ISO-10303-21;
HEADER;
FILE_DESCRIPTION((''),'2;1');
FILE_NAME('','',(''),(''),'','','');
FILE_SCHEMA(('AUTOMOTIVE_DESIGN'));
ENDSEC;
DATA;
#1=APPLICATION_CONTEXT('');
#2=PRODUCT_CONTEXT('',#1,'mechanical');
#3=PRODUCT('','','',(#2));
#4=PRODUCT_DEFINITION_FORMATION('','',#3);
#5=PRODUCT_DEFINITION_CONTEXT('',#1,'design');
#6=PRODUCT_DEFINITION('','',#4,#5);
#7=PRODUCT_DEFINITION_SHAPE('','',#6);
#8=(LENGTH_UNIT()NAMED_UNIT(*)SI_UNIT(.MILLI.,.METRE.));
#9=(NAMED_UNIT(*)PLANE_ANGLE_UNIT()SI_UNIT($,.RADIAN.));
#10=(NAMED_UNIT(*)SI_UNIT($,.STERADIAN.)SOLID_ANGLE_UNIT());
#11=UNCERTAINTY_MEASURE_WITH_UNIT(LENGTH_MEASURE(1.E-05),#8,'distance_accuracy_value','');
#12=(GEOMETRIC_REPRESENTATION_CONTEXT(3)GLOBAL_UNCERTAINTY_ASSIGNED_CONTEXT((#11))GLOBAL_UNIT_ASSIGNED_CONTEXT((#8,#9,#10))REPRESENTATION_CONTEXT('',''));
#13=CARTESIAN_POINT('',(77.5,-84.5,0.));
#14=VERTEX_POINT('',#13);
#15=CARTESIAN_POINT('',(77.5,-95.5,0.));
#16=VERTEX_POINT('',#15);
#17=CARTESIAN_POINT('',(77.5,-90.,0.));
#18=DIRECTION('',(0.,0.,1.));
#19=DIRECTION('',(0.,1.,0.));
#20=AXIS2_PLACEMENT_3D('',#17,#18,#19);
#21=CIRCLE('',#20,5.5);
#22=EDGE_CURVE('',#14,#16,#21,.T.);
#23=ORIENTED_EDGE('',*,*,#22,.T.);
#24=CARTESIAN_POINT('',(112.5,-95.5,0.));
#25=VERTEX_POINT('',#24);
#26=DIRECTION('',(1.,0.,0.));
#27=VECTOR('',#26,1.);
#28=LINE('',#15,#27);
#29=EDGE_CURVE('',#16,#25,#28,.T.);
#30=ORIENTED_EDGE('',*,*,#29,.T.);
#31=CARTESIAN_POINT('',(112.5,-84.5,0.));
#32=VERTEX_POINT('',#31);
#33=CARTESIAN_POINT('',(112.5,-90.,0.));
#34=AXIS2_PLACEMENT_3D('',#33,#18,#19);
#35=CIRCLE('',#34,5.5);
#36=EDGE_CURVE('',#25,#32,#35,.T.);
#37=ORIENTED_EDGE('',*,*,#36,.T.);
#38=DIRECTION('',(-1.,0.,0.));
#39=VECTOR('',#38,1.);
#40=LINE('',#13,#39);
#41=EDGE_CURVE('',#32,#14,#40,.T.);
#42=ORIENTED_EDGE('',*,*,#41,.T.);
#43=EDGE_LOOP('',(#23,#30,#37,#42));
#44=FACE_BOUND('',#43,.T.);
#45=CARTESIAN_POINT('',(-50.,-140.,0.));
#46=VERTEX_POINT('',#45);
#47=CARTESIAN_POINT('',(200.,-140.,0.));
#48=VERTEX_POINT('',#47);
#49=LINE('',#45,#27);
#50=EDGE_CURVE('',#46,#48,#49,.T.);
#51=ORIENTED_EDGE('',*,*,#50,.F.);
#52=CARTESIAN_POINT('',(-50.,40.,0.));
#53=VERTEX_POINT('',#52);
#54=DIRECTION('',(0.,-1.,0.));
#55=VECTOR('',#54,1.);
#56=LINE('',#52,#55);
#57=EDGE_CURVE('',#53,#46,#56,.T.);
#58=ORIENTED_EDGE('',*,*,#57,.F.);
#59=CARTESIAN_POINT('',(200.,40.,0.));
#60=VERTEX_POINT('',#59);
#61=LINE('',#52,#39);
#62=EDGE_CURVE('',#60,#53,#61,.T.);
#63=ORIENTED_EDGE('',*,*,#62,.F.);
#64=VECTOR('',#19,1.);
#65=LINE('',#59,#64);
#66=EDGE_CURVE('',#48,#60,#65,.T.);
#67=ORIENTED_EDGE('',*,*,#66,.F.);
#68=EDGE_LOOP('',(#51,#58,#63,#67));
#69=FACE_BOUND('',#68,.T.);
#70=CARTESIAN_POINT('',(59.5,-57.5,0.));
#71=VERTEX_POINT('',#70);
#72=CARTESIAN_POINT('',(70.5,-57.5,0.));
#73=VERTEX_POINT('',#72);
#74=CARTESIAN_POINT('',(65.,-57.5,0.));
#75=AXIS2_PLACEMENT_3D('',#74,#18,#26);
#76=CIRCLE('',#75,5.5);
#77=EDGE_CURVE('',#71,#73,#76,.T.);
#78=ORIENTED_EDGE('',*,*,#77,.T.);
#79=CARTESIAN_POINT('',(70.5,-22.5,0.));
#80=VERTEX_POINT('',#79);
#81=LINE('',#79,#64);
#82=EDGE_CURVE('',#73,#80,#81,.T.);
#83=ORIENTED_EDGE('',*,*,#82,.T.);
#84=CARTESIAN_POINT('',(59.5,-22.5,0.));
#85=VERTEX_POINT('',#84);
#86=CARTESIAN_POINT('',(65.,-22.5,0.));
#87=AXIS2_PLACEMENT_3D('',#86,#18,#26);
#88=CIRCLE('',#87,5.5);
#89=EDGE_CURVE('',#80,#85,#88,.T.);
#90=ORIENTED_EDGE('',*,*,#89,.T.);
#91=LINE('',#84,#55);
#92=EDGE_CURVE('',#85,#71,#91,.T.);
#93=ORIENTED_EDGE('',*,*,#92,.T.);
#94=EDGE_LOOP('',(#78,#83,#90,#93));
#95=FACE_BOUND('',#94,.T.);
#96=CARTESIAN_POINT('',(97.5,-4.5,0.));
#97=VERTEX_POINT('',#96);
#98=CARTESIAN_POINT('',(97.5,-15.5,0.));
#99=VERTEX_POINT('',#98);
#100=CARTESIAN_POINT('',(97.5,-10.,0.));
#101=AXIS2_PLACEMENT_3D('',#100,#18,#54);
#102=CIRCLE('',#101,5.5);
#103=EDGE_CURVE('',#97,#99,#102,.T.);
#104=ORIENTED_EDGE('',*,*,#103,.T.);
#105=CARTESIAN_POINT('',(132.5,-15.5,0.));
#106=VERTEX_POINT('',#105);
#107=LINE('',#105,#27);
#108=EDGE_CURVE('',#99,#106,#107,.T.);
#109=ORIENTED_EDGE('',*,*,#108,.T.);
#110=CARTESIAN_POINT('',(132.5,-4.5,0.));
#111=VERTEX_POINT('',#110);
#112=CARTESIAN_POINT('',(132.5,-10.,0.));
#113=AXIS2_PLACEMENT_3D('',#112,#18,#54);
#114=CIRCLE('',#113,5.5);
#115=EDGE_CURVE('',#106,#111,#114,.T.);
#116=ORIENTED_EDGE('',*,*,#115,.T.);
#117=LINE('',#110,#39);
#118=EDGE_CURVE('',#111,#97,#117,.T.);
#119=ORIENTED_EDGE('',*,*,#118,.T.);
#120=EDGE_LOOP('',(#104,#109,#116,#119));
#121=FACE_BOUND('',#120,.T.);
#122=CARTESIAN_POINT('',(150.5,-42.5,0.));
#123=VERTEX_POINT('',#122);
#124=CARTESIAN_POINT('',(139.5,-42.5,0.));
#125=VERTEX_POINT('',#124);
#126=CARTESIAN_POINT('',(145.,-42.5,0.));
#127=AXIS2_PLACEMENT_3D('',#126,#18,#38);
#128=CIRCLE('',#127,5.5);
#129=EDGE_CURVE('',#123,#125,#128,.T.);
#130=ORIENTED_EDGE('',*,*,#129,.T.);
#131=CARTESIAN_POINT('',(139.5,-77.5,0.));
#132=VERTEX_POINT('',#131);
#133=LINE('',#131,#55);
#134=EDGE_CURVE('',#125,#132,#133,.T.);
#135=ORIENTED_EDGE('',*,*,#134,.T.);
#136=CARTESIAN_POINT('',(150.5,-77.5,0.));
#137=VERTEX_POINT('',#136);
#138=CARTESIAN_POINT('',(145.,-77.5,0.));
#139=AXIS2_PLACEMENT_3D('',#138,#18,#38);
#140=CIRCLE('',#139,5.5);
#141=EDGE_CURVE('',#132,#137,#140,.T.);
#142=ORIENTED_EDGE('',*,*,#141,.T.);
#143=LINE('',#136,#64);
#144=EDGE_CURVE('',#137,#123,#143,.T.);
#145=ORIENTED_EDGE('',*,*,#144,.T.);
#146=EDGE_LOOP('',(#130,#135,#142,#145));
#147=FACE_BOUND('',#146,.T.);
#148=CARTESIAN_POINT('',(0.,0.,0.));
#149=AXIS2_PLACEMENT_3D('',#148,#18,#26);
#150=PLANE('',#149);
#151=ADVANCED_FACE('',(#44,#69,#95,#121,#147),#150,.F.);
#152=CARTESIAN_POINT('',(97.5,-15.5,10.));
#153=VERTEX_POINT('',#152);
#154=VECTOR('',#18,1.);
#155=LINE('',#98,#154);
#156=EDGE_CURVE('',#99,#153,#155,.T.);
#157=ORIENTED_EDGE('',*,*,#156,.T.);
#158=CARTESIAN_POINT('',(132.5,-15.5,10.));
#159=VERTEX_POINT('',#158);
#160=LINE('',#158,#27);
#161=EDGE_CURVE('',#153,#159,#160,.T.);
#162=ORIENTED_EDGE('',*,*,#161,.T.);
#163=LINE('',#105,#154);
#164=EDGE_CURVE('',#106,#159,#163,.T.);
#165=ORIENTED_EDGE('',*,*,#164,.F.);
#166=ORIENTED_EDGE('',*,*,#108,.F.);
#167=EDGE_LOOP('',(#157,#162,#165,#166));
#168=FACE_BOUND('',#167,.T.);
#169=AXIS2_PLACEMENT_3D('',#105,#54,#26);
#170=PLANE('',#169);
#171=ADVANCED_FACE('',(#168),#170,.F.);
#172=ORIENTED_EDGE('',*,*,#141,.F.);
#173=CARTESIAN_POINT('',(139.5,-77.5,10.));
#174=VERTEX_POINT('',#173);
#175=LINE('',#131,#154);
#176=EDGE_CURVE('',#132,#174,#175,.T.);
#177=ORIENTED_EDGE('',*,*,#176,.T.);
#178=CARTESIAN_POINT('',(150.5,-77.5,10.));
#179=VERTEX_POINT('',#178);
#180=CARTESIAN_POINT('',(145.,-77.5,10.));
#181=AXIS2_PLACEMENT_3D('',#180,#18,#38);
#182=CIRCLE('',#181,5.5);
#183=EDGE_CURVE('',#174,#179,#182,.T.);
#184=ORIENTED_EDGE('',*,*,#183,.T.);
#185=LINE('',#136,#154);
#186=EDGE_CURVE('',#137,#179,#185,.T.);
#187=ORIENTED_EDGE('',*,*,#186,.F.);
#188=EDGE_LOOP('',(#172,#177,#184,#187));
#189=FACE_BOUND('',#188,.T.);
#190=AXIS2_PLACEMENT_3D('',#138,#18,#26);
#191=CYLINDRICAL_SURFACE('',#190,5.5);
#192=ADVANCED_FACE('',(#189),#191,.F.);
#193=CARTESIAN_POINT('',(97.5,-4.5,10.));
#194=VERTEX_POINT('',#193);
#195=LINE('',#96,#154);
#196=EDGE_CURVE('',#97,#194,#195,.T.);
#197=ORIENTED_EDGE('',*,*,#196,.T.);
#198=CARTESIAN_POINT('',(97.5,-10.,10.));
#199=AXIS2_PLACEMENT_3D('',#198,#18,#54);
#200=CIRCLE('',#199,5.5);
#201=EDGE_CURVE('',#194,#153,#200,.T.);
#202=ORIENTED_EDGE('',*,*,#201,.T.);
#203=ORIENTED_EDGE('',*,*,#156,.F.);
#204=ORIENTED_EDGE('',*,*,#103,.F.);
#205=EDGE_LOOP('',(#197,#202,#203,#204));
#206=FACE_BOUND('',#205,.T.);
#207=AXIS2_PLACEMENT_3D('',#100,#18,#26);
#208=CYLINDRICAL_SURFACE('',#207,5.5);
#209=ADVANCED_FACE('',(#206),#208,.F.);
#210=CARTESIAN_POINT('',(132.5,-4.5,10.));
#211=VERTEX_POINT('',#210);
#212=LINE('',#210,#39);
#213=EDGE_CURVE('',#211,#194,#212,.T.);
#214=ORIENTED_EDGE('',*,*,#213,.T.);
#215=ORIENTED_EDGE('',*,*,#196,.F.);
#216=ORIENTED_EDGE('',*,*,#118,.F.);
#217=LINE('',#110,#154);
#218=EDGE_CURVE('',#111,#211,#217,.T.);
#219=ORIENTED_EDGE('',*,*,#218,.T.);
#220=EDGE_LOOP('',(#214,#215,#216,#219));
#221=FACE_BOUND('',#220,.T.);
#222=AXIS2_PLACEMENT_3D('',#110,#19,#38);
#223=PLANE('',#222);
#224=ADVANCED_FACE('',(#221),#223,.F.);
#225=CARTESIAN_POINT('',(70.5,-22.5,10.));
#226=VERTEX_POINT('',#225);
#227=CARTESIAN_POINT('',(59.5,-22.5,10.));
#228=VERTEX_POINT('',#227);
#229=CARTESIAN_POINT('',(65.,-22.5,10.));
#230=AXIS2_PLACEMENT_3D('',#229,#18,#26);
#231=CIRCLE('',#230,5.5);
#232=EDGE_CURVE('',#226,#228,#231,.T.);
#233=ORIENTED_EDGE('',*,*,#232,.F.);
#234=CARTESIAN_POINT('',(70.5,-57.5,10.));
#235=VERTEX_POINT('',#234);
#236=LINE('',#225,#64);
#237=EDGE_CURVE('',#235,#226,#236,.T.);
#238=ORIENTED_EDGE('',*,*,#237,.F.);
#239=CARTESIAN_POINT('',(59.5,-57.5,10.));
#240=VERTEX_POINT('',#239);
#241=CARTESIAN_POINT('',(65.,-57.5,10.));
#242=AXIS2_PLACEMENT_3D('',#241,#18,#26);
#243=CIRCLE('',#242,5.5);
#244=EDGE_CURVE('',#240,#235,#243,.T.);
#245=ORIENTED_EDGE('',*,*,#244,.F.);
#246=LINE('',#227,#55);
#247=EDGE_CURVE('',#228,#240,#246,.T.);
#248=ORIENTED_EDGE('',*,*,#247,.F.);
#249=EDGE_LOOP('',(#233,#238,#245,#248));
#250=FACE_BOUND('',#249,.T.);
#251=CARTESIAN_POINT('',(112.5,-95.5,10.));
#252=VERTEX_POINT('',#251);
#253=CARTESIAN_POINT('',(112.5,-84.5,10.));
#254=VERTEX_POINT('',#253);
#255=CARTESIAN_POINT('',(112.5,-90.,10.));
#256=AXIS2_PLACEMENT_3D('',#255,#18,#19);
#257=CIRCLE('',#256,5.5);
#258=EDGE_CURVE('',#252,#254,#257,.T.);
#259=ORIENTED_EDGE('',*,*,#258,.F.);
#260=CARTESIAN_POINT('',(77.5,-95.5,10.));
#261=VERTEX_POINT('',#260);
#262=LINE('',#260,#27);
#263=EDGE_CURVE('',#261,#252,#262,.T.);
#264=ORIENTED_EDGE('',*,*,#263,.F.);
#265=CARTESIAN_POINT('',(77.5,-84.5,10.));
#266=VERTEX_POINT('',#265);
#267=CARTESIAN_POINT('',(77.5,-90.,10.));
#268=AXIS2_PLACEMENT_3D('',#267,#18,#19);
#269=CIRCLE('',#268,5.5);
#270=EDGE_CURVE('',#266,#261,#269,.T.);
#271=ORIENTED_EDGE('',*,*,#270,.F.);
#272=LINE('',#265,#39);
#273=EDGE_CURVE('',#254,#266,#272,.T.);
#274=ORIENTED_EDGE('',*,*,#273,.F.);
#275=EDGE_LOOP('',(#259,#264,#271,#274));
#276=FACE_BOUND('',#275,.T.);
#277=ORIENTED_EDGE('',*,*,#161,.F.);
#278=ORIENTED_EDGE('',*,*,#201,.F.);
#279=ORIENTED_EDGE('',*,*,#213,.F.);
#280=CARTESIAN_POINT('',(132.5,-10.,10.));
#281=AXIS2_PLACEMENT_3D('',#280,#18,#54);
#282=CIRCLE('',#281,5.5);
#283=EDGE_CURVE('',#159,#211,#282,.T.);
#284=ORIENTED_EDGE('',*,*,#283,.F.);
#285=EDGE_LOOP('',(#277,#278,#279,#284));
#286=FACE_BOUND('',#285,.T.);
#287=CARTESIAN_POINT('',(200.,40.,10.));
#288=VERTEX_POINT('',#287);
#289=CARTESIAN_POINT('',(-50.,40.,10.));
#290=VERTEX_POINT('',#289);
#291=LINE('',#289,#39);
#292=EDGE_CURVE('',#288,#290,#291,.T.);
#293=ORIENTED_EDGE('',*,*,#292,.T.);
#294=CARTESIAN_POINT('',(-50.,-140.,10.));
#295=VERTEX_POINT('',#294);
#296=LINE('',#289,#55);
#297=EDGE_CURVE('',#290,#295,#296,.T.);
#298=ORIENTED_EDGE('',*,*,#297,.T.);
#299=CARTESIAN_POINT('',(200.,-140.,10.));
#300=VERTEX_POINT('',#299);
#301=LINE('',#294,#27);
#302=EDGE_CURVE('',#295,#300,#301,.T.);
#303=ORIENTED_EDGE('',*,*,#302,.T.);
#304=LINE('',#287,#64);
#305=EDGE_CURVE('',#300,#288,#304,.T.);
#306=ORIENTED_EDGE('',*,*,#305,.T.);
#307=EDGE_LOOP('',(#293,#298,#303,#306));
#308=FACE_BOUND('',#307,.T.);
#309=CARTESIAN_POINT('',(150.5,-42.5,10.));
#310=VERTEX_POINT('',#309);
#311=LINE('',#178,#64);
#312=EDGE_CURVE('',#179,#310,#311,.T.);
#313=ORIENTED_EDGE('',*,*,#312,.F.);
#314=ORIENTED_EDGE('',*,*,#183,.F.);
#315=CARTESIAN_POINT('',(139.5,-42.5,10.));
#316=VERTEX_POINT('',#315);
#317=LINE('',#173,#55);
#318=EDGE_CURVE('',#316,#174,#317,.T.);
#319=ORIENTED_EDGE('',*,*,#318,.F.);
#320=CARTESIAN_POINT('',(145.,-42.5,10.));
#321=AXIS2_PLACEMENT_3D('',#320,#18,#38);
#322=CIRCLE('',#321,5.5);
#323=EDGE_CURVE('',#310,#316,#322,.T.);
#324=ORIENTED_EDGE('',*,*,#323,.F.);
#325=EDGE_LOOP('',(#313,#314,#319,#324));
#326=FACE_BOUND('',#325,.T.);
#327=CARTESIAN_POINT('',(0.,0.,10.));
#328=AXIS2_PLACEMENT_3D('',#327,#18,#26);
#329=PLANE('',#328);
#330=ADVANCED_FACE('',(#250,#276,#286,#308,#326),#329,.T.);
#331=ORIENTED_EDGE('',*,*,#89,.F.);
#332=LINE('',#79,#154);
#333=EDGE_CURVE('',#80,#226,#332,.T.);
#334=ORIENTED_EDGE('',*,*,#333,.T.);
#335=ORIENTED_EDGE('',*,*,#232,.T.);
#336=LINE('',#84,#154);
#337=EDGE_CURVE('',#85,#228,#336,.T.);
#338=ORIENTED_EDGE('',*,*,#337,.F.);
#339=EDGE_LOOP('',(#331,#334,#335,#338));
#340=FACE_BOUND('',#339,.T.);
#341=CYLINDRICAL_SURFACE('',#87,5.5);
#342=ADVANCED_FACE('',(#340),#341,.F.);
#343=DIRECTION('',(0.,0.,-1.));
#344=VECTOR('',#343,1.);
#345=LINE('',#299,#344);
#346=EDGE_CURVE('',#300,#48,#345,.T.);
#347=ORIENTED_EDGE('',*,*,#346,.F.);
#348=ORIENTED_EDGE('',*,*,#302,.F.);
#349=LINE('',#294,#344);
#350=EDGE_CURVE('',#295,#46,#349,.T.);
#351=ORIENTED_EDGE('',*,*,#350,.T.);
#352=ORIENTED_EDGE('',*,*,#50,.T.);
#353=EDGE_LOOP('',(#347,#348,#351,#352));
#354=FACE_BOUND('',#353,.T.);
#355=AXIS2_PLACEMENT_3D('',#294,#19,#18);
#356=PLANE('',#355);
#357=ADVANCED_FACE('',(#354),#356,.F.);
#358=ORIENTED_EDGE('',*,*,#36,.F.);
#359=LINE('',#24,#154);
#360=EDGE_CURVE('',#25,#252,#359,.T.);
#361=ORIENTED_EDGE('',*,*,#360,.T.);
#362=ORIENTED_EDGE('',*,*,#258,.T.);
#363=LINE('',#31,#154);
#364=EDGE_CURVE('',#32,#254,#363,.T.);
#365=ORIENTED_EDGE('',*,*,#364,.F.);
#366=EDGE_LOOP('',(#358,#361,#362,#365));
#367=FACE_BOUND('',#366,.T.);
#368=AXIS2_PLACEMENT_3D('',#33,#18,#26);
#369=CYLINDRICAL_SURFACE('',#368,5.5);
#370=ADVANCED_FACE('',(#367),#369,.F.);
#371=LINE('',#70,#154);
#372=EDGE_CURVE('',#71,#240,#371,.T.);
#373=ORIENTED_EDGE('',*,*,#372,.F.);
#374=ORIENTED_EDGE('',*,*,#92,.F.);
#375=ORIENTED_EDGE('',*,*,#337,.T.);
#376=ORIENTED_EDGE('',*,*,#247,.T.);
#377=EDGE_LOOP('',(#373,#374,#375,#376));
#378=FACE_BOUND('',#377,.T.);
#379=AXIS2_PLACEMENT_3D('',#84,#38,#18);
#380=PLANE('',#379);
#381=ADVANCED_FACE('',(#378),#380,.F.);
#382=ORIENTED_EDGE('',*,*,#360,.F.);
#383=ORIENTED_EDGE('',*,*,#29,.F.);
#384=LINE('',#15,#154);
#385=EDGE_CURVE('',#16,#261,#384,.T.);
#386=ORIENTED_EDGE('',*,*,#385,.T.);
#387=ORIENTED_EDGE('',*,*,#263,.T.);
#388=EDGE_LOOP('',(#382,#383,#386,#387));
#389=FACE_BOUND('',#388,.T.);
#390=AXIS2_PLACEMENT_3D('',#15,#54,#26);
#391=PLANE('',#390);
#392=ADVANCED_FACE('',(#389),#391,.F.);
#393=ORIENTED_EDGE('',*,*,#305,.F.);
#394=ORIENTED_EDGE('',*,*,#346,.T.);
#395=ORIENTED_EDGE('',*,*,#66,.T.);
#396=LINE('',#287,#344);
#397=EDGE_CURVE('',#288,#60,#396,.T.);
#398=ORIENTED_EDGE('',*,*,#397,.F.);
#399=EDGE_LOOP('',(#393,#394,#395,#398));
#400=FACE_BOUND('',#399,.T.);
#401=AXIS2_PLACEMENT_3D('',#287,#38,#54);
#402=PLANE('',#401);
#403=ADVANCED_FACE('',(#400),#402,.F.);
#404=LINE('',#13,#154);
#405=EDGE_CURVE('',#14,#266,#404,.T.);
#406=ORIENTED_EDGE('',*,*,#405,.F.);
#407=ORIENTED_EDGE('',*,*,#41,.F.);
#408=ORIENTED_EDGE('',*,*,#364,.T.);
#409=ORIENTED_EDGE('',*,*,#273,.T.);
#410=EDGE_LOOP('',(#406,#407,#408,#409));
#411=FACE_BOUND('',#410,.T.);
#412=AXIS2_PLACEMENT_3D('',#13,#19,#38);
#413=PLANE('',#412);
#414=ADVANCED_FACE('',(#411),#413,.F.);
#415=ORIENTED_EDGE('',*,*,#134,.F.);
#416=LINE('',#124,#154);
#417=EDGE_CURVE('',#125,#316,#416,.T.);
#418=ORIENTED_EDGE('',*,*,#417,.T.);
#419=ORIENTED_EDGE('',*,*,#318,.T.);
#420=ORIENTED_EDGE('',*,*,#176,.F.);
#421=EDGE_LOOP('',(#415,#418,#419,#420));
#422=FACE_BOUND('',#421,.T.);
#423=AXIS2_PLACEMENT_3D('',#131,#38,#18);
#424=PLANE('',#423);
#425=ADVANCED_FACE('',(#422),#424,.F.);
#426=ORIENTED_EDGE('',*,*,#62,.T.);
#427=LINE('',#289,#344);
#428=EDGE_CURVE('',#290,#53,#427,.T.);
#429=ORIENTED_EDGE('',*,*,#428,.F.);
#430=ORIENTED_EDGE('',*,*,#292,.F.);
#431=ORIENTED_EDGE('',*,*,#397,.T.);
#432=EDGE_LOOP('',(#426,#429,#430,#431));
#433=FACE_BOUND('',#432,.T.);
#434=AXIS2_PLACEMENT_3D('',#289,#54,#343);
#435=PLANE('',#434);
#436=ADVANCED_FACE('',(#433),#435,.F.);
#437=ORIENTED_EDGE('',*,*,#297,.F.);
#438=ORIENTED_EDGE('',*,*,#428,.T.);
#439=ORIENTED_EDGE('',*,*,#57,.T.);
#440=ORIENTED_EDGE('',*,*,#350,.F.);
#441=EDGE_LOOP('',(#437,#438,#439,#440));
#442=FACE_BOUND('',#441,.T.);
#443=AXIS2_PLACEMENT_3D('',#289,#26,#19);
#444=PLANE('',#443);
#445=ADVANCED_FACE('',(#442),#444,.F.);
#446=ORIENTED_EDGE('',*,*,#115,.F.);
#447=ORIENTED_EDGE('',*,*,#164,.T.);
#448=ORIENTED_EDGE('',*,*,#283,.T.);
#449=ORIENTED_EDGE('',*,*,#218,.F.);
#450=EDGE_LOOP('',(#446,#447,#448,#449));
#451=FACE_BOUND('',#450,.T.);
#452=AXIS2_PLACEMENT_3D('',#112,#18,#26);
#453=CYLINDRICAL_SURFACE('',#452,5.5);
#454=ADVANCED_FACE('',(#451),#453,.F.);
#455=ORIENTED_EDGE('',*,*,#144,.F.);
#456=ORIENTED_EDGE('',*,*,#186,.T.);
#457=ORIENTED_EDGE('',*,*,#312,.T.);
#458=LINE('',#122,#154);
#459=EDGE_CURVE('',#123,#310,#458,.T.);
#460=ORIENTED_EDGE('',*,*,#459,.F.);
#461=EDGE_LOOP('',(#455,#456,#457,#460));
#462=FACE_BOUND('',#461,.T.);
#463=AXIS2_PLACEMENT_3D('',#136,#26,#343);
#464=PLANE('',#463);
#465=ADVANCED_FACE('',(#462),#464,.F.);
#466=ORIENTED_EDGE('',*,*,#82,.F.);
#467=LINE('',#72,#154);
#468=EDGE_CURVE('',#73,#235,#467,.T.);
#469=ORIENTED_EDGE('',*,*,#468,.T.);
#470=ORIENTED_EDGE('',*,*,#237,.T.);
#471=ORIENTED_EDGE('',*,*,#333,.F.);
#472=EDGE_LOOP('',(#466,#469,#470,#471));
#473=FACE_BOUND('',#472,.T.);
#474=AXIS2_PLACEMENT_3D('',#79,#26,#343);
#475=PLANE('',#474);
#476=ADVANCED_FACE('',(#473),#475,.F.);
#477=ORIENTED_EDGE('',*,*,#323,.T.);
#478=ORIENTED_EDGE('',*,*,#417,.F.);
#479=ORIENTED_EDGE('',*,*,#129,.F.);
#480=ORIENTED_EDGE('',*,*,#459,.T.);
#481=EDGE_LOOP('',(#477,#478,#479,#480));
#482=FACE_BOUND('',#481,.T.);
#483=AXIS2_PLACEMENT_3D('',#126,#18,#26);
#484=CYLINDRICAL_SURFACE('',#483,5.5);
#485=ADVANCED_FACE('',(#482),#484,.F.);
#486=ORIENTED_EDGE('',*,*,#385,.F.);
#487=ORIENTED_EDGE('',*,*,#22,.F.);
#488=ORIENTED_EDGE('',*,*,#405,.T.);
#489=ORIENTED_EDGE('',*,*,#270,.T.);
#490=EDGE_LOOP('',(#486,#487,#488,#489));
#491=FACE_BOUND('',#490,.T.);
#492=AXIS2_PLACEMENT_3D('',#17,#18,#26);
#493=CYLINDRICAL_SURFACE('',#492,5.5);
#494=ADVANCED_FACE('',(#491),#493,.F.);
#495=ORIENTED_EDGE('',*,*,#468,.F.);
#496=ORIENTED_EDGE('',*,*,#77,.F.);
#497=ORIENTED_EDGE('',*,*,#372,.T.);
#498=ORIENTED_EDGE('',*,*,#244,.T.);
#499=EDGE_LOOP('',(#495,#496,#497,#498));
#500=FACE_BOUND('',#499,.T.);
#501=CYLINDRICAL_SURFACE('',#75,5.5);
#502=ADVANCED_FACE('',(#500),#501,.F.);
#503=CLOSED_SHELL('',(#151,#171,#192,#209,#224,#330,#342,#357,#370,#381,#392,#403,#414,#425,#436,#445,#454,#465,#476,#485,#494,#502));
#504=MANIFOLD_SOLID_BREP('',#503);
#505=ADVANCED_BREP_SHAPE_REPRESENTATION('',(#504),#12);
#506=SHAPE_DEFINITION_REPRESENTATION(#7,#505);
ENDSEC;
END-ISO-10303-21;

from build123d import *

# Parameters (mm, degrees)
SKETCH1_W           = 250
SKETCH1_H           = 180
BOSS_EXTRUDE1_DEPTH = 10
CUT_EXTRUDE1_DEPTH  = 10
CIRPATTERN1_COUNT   = 4


with BuildPart() as part:
    # Sketch1 → Boss-Extrude1 (new body)
    with BuildSketch(Plane.XY):
        with Locations((75, -50)):
            Rectangle(SKETCH1_W, SKETCH1_H)
    extrude(amount=BOSS_EXTRUDE1_DEPTH)

    # Sketch2 → Cut-Extrude1 (cut)
    with BuildSketch(Plane.XY.offset(10)):
        with BuildLine():
            Line((70.5, -22.5), (70.5, -57.5))
            ThreePointArc((70.5, -57.5), (65, -63), (59.5, -57.5))
            Line((59.5, -57.5), (59.5, -22.5))
            ThreePointArc((59.5, -22.5), (65, -17), (70.5, -22.5))
        make_face()
    cut_extrude1 = extrude(amount=-CUT_EXTRUDE1_DEPTH, mode=Mode.SUBTRACT)

    # CirPattern1: Cut-Extrude1 ×4 about axis
    cirpattern1_axis = Axis((105, -50, 0), (0, 0, 1))
    for i in range(1, CIRPATTERN1_COUNT):
        add(cut_extrude1.rotate(cirpattern1_axis, i * 360 / CIRPATTERN1_COUNT), mode=Mode.SUBTRACT)


solid = part.part
